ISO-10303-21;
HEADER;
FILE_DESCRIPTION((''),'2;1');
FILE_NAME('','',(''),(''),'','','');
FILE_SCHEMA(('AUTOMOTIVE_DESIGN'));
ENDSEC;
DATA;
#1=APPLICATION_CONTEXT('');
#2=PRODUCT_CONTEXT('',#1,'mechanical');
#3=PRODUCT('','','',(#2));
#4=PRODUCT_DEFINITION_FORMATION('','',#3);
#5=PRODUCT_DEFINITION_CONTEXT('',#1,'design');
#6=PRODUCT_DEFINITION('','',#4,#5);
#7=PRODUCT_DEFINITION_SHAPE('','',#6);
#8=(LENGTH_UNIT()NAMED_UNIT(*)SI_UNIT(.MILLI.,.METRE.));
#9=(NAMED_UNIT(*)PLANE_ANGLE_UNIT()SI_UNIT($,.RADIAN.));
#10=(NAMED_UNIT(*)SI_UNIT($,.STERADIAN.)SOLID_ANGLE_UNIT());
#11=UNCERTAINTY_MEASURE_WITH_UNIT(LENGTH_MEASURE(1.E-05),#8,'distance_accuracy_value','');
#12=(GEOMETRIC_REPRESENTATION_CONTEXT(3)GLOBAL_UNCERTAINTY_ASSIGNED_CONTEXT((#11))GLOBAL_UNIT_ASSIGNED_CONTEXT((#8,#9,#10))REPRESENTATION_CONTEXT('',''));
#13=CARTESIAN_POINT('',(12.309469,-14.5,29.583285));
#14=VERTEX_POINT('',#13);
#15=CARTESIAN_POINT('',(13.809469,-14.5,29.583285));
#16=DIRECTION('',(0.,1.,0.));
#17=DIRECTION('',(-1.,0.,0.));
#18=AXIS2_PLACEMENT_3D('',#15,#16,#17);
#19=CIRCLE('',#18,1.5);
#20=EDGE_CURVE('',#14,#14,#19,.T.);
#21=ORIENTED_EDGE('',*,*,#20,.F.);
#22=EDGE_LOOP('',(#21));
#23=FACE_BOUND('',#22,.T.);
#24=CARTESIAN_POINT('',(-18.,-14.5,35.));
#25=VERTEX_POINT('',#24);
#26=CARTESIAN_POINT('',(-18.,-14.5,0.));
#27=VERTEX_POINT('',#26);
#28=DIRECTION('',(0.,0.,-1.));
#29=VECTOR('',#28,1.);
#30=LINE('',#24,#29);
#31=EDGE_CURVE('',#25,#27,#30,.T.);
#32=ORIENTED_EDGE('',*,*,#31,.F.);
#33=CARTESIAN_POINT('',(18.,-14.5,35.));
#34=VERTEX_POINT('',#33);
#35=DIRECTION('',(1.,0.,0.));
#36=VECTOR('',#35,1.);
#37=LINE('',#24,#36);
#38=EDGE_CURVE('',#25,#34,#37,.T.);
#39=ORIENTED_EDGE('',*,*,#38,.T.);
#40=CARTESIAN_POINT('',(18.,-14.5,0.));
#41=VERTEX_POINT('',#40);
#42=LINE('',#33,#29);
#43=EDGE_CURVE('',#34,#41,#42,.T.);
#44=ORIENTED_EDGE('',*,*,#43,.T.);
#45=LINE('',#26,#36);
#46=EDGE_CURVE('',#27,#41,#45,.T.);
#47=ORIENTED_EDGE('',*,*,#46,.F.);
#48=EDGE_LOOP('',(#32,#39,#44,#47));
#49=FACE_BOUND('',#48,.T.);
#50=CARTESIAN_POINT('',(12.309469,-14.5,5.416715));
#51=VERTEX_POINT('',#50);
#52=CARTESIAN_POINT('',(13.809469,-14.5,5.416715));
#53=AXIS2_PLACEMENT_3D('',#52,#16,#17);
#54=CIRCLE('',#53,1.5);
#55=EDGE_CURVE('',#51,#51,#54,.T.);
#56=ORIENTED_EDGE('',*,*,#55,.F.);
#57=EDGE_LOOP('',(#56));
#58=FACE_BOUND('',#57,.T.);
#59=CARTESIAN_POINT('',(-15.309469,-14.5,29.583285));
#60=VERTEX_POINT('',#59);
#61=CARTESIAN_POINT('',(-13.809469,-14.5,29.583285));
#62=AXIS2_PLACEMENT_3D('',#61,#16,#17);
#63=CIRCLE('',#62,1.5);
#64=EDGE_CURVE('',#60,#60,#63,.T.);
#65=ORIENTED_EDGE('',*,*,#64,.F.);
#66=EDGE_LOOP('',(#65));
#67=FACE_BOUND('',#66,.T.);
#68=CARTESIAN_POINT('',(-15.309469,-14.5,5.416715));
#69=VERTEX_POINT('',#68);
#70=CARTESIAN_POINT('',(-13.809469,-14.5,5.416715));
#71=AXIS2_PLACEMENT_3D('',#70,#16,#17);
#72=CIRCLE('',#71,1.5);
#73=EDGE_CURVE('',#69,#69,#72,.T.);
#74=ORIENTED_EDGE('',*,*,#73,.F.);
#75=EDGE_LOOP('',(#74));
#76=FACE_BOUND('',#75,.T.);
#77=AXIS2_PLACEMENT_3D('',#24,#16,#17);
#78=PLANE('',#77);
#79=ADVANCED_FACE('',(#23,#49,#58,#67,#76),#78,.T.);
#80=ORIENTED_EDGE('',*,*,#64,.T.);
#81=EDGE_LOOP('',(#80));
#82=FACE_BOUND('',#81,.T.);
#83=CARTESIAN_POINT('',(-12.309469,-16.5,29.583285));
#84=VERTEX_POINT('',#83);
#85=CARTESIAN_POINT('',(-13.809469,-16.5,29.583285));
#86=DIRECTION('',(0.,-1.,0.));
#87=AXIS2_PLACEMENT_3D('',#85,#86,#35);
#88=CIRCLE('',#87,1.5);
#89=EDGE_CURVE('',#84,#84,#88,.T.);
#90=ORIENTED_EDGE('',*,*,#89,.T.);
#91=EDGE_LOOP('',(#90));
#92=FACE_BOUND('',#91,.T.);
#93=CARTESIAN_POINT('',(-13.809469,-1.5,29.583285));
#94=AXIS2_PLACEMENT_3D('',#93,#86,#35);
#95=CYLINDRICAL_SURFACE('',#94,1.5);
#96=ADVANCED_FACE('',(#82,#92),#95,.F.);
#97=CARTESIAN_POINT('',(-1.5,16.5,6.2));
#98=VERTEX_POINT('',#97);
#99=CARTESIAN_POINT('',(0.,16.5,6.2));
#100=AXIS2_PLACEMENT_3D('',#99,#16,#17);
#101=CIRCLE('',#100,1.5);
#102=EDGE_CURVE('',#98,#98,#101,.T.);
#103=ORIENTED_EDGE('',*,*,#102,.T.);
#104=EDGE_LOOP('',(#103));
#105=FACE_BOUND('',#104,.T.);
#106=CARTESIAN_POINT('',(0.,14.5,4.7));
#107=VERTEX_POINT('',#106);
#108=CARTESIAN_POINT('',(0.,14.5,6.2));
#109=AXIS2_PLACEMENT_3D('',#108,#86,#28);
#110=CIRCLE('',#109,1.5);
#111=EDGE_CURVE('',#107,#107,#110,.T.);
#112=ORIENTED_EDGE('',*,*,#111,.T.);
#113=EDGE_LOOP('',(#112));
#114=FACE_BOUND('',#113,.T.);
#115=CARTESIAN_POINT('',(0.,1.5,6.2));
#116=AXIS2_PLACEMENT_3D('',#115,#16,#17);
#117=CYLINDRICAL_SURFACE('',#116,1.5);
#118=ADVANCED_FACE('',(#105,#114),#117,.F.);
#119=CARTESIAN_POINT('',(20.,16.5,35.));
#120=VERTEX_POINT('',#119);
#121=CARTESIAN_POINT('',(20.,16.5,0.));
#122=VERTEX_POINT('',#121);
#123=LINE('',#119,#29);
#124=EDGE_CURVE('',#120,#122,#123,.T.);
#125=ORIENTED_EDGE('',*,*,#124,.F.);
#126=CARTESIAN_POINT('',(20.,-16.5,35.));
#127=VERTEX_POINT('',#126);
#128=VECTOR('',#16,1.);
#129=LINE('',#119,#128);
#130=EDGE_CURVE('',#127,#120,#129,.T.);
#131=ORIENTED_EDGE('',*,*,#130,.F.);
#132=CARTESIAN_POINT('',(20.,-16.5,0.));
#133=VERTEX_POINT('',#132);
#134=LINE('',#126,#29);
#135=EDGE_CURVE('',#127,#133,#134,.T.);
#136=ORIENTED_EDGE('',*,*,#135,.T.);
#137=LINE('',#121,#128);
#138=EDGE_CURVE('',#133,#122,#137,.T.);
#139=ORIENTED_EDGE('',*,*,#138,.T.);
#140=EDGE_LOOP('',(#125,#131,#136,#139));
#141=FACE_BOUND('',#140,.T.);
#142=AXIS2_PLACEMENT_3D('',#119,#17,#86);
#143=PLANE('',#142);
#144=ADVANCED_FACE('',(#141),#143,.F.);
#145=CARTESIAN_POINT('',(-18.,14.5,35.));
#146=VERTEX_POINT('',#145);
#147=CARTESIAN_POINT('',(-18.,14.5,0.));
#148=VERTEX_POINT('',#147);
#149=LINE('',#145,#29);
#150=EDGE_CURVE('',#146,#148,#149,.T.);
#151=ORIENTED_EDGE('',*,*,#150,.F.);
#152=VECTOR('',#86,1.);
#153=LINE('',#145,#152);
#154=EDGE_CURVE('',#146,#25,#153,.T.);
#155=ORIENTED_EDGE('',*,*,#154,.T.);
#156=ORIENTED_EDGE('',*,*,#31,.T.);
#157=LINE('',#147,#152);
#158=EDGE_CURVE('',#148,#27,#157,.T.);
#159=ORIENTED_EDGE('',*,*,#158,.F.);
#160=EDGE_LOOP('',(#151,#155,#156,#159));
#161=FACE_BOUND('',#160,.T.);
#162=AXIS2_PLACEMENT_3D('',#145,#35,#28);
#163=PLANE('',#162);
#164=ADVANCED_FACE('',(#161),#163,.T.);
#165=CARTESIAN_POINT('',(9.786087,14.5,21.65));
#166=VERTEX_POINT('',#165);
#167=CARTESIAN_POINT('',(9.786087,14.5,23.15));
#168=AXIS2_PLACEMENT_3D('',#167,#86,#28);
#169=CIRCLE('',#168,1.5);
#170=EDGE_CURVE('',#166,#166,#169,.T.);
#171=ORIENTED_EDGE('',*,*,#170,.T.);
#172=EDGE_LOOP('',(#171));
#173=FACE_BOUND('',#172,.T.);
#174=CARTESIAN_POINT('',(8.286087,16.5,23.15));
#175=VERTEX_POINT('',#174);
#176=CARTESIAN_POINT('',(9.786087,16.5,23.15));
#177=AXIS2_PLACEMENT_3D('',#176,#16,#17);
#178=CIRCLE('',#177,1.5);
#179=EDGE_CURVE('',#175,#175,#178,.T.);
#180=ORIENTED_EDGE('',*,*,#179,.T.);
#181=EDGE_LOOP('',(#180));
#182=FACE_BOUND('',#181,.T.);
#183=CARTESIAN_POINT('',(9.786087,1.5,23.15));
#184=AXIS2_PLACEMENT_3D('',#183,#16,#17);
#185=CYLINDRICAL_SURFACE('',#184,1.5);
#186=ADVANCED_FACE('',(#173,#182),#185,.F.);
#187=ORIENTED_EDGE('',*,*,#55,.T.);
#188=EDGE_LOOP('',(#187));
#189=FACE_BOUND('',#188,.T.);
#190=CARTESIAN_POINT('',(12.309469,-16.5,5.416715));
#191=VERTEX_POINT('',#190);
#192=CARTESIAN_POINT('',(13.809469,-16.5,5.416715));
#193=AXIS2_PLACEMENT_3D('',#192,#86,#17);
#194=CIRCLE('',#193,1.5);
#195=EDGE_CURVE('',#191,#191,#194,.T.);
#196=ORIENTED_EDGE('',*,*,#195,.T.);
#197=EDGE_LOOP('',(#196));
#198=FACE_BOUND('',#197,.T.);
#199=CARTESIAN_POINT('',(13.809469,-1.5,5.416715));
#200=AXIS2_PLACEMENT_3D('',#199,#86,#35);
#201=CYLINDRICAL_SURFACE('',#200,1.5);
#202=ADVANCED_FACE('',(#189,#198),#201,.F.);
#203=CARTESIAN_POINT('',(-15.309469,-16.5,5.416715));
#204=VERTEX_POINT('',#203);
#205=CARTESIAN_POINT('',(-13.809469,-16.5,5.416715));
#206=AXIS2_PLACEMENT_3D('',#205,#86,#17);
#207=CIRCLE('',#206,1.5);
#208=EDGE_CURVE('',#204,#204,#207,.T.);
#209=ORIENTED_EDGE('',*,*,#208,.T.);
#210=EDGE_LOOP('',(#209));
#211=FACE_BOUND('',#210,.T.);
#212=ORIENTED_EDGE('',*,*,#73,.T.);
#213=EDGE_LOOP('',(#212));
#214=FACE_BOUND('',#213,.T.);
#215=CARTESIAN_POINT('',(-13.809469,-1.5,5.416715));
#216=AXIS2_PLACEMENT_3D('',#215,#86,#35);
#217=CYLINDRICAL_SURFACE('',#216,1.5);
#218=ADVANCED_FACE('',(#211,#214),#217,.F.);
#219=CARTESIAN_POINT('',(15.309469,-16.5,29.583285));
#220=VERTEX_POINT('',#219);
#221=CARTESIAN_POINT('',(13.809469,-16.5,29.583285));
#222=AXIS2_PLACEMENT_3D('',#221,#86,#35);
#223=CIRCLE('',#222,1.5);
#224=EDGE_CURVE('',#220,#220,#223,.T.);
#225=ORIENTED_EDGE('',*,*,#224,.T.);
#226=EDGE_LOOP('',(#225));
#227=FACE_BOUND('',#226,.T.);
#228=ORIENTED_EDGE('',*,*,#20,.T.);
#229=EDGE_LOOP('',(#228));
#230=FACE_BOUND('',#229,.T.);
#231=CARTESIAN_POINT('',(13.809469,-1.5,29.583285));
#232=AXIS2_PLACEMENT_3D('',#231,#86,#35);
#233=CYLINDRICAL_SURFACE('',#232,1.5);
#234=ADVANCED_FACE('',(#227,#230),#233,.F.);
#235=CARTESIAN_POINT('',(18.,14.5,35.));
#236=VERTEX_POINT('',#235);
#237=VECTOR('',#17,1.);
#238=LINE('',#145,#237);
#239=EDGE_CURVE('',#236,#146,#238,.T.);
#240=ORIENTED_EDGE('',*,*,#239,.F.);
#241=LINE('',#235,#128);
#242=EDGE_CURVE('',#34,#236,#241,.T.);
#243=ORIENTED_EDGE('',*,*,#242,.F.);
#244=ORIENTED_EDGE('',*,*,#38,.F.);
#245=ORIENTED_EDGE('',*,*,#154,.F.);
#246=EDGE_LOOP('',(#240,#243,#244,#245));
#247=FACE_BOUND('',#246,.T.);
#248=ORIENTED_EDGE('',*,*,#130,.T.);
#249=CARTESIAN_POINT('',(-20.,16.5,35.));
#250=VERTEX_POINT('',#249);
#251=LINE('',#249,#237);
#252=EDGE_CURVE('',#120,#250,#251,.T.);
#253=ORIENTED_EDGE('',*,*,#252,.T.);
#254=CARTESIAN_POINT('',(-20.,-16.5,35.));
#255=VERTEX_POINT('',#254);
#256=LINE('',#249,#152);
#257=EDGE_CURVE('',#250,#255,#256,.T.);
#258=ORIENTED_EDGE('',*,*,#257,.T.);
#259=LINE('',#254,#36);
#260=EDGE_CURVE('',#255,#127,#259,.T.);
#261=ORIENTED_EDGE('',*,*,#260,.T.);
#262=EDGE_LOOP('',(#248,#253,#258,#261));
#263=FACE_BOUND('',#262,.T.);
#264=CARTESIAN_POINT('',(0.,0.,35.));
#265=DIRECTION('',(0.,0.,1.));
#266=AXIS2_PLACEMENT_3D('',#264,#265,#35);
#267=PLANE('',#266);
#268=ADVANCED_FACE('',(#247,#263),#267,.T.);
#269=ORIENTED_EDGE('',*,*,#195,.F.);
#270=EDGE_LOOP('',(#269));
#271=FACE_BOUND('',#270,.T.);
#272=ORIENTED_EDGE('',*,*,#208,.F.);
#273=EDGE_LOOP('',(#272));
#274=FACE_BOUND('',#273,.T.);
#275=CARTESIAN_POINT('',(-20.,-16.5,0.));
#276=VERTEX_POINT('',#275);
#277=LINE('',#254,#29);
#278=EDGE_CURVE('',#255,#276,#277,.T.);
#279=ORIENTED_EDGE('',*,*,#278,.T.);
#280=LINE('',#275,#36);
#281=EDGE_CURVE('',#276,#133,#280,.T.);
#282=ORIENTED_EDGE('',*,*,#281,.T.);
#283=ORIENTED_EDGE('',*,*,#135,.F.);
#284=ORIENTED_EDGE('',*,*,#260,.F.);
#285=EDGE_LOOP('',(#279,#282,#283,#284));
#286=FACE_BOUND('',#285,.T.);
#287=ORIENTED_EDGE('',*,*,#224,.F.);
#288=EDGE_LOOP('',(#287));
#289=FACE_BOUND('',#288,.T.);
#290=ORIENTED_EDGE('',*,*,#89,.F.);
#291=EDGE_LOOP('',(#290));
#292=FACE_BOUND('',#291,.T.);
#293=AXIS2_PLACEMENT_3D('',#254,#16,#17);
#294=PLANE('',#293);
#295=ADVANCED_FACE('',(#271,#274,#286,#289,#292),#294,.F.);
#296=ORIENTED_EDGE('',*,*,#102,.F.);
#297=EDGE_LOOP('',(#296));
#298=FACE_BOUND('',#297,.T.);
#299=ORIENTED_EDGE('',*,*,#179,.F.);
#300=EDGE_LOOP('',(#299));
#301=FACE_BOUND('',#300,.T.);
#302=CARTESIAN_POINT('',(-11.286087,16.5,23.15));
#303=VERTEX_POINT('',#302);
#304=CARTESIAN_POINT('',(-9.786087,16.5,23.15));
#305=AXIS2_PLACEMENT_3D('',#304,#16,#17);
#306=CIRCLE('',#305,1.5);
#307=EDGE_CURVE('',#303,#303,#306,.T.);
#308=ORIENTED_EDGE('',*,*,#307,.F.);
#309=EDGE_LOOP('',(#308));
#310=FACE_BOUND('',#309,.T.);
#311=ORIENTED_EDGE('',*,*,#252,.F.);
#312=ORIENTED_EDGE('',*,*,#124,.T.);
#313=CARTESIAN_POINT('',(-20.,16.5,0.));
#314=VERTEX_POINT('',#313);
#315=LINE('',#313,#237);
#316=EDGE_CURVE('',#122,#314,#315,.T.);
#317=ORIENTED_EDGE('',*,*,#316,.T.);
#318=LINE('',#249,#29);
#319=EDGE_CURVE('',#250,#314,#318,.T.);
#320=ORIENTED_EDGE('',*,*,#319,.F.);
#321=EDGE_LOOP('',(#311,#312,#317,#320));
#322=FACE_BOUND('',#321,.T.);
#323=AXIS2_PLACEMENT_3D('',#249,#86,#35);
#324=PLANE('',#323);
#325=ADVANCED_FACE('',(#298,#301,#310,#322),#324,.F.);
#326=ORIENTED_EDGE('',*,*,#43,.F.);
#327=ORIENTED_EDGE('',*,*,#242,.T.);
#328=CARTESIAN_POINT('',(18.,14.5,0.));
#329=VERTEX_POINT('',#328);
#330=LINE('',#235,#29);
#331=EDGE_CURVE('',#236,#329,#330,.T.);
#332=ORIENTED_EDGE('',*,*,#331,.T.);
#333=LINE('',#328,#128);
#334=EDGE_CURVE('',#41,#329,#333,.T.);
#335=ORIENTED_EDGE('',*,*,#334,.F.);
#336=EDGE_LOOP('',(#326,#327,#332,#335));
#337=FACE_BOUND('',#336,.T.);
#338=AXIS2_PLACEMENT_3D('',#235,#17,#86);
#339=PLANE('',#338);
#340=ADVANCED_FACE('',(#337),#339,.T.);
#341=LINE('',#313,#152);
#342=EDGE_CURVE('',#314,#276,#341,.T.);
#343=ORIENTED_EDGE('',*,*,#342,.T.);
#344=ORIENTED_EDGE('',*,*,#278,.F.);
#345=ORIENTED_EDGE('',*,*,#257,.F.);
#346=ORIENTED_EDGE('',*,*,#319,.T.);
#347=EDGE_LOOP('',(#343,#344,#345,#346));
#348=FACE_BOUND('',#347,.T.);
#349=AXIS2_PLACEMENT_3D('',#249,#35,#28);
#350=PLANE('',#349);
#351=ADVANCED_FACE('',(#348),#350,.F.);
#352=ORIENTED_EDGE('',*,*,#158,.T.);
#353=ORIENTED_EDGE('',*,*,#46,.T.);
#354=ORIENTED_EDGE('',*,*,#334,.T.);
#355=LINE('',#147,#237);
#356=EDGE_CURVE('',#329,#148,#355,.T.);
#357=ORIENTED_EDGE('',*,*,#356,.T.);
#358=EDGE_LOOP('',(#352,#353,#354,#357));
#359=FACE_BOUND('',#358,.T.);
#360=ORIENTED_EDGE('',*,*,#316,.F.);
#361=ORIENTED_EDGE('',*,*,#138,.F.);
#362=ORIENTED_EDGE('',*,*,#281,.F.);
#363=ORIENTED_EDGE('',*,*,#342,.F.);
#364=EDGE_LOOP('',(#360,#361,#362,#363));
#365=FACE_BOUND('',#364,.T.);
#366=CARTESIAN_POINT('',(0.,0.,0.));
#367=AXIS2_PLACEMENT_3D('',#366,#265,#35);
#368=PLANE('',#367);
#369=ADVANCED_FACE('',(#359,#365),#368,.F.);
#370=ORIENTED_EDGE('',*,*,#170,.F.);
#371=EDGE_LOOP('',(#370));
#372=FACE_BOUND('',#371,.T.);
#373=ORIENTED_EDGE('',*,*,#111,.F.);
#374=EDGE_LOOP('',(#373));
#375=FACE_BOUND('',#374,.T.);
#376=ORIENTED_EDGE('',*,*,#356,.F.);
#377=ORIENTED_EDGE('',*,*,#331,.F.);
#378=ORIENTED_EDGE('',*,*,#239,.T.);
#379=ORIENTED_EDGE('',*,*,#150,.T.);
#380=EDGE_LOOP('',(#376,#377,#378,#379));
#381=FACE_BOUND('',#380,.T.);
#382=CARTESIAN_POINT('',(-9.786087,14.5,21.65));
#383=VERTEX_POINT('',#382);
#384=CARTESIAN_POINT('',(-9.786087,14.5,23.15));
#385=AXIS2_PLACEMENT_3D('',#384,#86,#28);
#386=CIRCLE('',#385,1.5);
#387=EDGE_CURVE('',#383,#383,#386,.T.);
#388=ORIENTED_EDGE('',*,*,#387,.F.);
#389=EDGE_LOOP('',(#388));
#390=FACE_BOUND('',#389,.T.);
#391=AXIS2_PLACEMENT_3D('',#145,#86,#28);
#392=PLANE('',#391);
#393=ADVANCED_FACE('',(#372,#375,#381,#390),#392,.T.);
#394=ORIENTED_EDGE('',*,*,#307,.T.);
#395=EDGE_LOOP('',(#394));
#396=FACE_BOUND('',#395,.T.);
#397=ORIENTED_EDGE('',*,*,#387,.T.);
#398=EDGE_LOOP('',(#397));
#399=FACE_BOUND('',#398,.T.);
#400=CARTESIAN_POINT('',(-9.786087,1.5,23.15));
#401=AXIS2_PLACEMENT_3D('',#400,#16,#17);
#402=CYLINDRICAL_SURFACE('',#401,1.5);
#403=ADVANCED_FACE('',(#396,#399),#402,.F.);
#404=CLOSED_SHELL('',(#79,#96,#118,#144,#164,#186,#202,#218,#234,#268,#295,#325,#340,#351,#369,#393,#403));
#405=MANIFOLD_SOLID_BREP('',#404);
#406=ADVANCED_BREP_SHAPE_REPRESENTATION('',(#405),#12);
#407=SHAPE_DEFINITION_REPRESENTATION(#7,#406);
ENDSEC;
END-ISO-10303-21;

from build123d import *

# Parameters (mm, degrees)
SKETCH1_W           = 40
SKETCH1_H           = 33
SKETCH1_W_2         = 36
SKETCH1_H_2         = 29
BOSS_EXTRUDE1_DEPTH = 35
SKETCH2_R           = 1.5
CUT_EXTRUDE1_DEPTH  = 15
SKETCH3_R           = 1.5
CUT_EXTRUDE2_DEPTH  = 15


with BuildPart() as part:
    # Sketch1 → Boss-Extrude1 (new body)
    with BuildSketch(Plane.XY):
        Rectangle(SKETCH1_W, SKETCH1_H)
        Rectangle(SKETCH1_W_2, SKETCH1_H_2, mode=Mode.SUBTRACT)
    extrude(amount=BOSS_EXTRUDE1_DEPTH)

    # Sketch2 → Cut-Extrude1 (cut)
    with BuildSketch(Plane(origin=(0, 16.5, 0), x_dir=(1, 0, 0), z_dir=(0, 1, 0))):
        with Locations(Location((0, -6.2, 0), (0, 0, 180))):
            Circle(SKETCH2_R)
        with Locations(Location((9.786087063, -23.15, 0), (0, 0, 180))):
            Circle(SKETCH2_R)
        with Locations(Location((-9.786087063, -23.15, 0), (0, 0, 180))):
            Circle(SKETCH2_R)
    extrude(amount=-CUT_EXTRUDE1_DEPTH, mode=Mode.SUBTRACT)

    # Sketch3 → Cut-Extrude2 (cut)
    with BuildSketch(Plane.XZ.offset(16.5)):
        with Locations((13.809468579, 29.583285006)):
            Circle(SKETCH3_R)
        with Locations((-13.809468579, 29.583285006)):
            Circle(SKETCH3_R)
        with Locations(Location((13.809468579, 5.416714994, 0), (0, 0, 180))):
            Circle(SKETCH3_R)
        with Locations(Location((-13.809468579, 5.416714994, 0), (0, 0, 180))):
            Circle(SKETCH3_R)
    extrude(amount=-CUT_EXTRUDE2_DEPTH, mode=Mode.SUBTRACT)


solid = part.part
